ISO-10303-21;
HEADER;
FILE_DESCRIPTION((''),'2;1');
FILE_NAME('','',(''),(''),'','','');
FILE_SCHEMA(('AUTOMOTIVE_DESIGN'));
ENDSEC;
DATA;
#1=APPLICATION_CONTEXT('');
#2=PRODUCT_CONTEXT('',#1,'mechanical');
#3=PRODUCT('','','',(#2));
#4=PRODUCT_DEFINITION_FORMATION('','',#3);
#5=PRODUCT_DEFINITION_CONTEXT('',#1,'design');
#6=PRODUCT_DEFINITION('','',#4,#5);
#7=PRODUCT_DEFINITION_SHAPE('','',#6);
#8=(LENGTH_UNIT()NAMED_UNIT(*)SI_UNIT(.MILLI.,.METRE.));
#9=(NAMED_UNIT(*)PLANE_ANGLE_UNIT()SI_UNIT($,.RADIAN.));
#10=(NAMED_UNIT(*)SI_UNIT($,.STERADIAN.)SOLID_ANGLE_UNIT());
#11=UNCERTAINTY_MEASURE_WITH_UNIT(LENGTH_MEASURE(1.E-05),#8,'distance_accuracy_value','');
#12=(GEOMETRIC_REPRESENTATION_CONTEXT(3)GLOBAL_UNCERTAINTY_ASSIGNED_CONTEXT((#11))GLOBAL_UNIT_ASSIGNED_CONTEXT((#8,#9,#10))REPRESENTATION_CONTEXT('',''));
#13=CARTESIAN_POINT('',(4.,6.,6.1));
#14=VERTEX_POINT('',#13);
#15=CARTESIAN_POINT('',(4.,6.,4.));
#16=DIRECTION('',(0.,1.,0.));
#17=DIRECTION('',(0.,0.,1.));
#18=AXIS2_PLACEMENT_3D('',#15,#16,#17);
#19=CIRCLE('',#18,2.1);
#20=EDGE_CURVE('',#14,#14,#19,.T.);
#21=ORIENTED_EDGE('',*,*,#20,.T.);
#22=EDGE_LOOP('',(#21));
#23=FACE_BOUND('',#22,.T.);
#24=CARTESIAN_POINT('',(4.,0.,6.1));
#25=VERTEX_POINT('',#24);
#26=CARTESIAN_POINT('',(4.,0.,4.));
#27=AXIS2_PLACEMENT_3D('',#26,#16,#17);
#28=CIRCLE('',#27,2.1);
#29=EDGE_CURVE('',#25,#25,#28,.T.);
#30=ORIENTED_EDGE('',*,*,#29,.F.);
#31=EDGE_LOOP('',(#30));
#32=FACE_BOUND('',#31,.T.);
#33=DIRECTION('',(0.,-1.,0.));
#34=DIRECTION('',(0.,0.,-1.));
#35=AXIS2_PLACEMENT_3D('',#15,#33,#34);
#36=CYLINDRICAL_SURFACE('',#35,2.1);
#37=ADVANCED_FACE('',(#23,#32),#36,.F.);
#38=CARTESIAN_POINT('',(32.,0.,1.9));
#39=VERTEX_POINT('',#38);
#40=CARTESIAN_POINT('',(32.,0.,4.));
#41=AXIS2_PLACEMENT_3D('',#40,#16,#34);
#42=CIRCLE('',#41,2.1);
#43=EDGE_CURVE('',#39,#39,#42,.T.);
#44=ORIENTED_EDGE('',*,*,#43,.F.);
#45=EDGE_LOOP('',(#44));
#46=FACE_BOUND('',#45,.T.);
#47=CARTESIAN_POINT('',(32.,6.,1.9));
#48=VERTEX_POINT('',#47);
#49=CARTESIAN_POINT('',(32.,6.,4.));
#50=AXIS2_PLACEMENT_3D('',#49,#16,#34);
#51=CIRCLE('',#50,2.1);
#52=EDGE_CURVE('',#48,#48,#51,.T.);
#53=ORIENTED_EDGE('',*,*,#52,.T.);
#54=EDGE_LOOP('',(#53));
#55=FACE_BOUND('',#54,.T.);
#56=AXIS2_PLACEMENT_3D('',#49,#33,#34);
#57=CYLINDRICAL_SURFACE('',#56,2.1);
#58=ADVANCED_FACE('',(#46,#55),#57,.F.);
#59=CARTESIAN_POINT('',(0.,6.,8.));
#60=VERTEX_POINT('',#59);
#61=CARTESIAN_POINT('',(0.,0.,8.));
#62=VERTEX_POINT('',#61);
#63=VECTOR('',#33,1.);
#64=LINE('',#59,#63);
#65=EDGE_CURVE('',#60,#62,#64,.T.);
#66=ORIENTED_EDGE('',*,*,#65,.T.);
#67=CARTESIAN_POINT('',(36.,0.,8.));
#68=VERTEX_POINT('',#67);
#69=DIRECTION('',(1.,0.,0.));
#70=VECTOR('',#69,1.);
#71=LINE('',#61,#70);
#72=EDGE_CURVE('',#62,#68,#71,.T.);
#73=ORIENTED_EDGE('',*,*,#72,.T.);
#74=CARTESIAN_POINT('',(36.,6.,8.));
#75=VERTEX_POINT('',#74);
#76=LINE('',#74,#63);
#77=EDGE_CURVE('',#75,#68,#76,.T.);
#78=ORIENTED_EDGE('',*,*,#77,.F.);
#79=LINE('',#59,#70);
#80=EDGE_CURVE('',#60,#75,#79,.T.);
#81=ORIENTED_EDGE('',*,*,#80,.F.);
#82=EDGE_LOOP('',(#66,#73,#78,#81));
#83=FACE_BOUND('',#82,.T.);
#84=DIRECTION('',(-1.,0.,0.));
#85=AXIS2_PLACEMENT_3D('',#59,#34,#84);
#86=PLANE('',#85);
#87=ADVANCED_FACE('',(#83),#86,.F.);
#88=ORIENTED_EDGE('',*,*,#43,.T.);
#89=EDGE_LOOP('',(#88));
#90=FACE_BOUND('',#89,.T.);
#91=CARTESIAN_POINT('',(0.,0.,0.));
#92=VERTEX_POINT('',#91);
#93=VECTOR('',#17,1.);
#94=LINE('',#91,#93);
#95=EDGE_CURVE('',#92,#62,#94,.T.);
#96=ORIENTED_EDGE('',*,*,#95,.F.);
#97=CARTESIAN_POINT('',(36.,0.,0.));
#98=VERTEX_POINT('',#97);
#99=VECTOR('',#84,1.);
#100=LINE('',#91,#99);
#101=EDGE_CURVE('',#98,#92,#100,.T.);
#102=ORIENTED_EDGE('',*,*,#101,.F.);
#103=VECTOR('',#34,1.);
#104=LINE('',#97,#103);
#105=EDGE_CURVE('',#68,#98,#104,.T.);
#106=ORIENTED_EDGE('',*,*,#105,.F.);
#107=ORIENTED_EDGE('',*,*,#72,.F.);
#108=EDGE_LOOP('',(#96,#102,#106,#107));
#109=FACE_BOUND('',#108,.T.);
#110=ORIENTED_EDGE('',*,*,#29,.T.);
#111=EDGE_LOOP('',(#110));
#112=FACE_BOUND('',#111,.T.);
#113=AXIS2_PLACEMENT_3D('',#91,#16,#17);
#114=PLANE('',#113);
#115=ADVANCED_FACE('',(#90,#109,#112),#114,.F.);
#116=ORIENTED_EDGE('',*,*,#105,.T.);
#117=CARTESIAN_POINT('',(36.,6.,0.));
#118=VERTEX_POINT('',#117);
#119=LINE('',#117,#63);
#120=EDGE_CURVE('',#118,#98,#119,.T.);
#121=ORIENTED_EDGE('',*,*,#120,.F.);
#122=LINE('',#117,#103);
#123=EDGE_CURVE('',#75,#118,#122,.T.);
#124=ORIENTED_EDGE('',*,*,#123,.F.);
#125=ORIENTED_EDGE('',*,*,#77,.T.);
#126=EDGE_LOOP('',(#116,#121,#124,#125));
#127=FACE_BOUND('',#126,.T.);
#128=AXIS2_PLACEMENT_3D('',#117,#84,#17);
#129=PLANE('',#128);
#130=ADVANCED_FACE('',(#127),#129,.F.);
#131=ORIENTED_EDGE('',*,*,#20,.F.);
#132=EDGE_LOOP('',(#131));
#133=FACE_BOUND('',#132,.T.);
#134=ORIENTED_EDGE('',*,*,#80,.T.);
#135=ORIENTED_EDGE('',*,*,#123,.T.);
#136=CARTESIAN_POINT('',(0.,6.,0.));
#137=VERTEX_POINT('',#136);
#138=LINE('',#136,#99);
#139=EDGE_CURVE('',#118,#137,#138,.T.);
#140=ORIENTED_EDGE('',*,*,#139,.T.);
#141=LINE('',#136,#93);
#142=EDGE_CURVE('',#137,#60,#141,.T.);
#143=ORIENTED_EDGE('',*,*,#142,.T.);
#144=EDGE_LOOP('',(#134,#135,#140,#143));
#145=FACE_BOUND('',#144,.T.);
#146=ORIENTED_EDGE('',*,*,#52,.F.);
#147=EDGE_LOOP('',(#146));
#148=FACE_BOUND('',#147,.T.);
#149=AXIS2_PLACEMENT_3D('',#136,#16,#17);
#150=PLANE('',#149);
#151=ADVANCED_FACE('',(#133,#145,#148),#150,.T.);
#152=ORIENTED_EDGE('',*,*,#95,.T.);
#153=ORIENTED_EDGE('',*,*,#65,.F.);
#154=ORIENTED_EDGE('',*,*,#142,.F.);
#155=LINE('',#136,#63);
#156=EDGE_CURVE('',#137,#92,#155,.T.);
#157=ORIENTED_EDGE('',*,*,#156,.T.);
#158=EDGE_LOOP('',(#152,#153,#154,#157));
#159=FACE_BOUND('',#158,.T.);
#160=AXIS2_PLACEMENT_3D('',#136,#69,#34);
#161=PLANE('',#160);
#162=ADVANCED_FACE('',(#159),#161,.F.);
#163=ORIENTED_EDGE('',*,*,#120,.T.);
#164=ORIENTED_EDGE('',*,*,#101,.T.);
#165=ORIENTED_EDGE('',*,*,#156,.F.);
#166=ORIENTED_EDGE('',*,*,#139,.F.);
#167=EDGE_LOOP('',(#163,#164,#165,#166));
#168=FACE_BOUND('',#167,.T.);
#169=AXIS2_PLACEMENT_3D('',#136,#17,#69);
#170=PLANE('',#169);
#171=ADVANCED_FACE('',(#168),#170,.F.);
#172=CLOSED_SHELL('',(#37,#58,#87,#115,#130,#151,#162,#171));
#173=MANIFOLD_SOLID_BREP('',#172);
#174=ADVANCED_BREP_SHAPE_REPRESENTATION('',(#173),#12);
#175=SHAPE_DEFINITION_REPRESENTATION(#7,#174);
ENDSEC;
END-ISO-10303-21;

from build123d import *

# Parameters (mm, degrees)
SKETCH1_W           = 36
SKETCH1_H           = 8
SKETCH1_R           = 2.1
BOSS_EXTRUDE1_DEPTH = 6


with BuildPart() as part:
    # Sketch1 → Boss-Extrude1 (new body)
    with BuildSketch(Plane(origin=(0, 0, 0), x_dir=(1, 0, 0), z_dir=(0, 1, 0))):
        with Locations((18, -4)):
            Rectangle(SKETCH1_W, SKETCH1_H)
        with Locations(Location((4, -4, 0), (0, 0, 270))):
            Circle(SKETCH1_R, mode=Mode.SUBTRACT)
        with Locations(Location((32, -4, 0), (0, 0, 90))):
            Circle(SKETCH1_R, mode=Mode.SUBTRACT)
    extrude(amount=BOSS_EXTRUDE1_DEPTH)


solid = part.part
